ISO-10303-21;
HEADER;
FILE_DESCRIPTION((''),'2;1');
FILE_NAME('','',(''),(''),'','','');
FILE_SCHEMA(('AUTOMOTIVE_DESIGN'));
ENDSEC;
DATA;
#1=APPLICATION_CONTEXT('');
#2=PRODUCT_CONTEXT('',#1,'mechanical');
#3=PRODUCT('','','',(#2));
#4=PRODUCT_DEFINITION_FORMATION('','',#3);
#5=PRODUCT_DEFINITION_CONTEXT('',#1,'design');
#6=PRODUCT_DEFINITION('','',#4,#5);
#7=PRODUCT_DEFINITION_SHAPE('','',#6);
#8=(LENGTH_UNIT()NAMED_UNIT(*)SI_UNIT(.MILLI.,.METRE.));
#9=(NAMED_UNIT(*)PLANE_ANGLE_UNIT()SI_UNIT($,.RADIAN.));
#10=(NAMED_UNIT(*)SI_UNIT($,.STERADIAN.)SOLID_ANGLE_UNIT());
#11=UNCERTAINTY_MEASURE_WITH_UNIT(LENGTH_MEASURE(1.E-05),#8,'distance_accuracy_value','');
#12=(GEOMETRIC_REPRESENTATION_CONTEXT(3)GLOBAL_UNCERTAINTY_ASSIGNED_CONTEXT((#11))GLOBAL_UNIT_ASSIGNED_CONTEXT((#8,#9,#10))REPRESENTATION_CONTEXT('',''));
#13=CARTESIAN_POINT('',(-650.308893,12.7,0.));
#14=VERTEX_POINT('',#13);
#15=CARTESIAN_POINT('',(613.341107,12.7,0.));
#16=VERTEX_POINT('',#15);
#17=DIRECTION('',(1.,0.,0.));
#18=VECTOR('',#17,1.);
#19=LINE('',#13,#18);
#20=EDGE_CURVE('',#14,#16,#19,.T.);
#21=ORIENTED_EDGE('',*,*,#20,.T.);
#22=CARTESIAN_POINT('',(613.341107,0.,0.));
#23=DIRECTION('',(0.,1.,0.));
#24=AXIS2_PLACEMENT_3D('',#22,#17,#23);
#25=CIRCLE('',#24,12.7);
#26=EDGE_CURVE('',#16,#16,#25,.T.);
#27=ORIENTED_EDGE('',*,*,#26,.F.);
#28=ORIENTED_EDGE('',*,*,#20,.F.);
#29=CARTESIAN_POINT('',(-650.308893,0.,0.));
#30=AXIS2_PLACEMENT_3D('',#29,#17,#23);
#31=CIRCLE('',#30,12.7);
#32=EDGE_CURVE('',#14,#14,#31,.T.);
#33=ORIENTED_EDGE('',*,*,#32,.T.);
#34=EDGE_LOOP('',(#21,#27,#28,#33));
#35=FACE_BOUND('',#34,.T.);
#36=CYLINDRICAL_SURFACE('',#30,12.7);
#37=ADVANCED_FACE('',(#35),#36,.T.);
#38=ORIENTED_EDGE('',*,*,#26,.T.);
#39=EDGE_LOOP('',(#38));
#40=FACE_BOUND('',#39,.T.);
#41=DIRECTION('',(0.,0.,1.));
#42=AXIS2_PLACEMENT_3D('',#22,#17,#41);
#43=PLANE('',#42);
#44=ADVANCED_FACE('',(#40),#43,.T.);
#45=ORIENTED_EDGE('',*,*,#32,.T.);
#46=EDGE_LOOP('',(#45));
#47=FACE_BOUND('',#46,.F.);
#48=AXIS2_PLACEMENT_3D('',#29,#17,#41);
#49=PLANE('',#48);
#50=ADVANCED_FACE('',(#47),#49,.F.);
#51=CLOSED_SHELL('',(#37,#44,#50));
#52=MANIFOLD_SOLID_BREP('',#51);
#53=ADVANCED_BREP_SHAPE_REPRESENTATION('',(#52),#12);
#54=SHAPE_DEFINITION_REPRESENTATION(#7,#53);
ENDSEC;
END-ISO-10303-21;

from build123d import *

# Parameters (mm, degrees)
F2_R = 12.7


with BuildPart() as f3:
    # F3: sweep along a path in F0
    with BuildLine(Plane.XY) as f3_path:
        Line((-650.308893, 0), (613.341107, 0))
    # F2 (on plane+point) → F3 (sweep)
    with BuildSketch(Plane.YZ.offset(613.341107)):
        Circle(F2_R)
    sweep(path=f3_path.line)


solid = f3.part
